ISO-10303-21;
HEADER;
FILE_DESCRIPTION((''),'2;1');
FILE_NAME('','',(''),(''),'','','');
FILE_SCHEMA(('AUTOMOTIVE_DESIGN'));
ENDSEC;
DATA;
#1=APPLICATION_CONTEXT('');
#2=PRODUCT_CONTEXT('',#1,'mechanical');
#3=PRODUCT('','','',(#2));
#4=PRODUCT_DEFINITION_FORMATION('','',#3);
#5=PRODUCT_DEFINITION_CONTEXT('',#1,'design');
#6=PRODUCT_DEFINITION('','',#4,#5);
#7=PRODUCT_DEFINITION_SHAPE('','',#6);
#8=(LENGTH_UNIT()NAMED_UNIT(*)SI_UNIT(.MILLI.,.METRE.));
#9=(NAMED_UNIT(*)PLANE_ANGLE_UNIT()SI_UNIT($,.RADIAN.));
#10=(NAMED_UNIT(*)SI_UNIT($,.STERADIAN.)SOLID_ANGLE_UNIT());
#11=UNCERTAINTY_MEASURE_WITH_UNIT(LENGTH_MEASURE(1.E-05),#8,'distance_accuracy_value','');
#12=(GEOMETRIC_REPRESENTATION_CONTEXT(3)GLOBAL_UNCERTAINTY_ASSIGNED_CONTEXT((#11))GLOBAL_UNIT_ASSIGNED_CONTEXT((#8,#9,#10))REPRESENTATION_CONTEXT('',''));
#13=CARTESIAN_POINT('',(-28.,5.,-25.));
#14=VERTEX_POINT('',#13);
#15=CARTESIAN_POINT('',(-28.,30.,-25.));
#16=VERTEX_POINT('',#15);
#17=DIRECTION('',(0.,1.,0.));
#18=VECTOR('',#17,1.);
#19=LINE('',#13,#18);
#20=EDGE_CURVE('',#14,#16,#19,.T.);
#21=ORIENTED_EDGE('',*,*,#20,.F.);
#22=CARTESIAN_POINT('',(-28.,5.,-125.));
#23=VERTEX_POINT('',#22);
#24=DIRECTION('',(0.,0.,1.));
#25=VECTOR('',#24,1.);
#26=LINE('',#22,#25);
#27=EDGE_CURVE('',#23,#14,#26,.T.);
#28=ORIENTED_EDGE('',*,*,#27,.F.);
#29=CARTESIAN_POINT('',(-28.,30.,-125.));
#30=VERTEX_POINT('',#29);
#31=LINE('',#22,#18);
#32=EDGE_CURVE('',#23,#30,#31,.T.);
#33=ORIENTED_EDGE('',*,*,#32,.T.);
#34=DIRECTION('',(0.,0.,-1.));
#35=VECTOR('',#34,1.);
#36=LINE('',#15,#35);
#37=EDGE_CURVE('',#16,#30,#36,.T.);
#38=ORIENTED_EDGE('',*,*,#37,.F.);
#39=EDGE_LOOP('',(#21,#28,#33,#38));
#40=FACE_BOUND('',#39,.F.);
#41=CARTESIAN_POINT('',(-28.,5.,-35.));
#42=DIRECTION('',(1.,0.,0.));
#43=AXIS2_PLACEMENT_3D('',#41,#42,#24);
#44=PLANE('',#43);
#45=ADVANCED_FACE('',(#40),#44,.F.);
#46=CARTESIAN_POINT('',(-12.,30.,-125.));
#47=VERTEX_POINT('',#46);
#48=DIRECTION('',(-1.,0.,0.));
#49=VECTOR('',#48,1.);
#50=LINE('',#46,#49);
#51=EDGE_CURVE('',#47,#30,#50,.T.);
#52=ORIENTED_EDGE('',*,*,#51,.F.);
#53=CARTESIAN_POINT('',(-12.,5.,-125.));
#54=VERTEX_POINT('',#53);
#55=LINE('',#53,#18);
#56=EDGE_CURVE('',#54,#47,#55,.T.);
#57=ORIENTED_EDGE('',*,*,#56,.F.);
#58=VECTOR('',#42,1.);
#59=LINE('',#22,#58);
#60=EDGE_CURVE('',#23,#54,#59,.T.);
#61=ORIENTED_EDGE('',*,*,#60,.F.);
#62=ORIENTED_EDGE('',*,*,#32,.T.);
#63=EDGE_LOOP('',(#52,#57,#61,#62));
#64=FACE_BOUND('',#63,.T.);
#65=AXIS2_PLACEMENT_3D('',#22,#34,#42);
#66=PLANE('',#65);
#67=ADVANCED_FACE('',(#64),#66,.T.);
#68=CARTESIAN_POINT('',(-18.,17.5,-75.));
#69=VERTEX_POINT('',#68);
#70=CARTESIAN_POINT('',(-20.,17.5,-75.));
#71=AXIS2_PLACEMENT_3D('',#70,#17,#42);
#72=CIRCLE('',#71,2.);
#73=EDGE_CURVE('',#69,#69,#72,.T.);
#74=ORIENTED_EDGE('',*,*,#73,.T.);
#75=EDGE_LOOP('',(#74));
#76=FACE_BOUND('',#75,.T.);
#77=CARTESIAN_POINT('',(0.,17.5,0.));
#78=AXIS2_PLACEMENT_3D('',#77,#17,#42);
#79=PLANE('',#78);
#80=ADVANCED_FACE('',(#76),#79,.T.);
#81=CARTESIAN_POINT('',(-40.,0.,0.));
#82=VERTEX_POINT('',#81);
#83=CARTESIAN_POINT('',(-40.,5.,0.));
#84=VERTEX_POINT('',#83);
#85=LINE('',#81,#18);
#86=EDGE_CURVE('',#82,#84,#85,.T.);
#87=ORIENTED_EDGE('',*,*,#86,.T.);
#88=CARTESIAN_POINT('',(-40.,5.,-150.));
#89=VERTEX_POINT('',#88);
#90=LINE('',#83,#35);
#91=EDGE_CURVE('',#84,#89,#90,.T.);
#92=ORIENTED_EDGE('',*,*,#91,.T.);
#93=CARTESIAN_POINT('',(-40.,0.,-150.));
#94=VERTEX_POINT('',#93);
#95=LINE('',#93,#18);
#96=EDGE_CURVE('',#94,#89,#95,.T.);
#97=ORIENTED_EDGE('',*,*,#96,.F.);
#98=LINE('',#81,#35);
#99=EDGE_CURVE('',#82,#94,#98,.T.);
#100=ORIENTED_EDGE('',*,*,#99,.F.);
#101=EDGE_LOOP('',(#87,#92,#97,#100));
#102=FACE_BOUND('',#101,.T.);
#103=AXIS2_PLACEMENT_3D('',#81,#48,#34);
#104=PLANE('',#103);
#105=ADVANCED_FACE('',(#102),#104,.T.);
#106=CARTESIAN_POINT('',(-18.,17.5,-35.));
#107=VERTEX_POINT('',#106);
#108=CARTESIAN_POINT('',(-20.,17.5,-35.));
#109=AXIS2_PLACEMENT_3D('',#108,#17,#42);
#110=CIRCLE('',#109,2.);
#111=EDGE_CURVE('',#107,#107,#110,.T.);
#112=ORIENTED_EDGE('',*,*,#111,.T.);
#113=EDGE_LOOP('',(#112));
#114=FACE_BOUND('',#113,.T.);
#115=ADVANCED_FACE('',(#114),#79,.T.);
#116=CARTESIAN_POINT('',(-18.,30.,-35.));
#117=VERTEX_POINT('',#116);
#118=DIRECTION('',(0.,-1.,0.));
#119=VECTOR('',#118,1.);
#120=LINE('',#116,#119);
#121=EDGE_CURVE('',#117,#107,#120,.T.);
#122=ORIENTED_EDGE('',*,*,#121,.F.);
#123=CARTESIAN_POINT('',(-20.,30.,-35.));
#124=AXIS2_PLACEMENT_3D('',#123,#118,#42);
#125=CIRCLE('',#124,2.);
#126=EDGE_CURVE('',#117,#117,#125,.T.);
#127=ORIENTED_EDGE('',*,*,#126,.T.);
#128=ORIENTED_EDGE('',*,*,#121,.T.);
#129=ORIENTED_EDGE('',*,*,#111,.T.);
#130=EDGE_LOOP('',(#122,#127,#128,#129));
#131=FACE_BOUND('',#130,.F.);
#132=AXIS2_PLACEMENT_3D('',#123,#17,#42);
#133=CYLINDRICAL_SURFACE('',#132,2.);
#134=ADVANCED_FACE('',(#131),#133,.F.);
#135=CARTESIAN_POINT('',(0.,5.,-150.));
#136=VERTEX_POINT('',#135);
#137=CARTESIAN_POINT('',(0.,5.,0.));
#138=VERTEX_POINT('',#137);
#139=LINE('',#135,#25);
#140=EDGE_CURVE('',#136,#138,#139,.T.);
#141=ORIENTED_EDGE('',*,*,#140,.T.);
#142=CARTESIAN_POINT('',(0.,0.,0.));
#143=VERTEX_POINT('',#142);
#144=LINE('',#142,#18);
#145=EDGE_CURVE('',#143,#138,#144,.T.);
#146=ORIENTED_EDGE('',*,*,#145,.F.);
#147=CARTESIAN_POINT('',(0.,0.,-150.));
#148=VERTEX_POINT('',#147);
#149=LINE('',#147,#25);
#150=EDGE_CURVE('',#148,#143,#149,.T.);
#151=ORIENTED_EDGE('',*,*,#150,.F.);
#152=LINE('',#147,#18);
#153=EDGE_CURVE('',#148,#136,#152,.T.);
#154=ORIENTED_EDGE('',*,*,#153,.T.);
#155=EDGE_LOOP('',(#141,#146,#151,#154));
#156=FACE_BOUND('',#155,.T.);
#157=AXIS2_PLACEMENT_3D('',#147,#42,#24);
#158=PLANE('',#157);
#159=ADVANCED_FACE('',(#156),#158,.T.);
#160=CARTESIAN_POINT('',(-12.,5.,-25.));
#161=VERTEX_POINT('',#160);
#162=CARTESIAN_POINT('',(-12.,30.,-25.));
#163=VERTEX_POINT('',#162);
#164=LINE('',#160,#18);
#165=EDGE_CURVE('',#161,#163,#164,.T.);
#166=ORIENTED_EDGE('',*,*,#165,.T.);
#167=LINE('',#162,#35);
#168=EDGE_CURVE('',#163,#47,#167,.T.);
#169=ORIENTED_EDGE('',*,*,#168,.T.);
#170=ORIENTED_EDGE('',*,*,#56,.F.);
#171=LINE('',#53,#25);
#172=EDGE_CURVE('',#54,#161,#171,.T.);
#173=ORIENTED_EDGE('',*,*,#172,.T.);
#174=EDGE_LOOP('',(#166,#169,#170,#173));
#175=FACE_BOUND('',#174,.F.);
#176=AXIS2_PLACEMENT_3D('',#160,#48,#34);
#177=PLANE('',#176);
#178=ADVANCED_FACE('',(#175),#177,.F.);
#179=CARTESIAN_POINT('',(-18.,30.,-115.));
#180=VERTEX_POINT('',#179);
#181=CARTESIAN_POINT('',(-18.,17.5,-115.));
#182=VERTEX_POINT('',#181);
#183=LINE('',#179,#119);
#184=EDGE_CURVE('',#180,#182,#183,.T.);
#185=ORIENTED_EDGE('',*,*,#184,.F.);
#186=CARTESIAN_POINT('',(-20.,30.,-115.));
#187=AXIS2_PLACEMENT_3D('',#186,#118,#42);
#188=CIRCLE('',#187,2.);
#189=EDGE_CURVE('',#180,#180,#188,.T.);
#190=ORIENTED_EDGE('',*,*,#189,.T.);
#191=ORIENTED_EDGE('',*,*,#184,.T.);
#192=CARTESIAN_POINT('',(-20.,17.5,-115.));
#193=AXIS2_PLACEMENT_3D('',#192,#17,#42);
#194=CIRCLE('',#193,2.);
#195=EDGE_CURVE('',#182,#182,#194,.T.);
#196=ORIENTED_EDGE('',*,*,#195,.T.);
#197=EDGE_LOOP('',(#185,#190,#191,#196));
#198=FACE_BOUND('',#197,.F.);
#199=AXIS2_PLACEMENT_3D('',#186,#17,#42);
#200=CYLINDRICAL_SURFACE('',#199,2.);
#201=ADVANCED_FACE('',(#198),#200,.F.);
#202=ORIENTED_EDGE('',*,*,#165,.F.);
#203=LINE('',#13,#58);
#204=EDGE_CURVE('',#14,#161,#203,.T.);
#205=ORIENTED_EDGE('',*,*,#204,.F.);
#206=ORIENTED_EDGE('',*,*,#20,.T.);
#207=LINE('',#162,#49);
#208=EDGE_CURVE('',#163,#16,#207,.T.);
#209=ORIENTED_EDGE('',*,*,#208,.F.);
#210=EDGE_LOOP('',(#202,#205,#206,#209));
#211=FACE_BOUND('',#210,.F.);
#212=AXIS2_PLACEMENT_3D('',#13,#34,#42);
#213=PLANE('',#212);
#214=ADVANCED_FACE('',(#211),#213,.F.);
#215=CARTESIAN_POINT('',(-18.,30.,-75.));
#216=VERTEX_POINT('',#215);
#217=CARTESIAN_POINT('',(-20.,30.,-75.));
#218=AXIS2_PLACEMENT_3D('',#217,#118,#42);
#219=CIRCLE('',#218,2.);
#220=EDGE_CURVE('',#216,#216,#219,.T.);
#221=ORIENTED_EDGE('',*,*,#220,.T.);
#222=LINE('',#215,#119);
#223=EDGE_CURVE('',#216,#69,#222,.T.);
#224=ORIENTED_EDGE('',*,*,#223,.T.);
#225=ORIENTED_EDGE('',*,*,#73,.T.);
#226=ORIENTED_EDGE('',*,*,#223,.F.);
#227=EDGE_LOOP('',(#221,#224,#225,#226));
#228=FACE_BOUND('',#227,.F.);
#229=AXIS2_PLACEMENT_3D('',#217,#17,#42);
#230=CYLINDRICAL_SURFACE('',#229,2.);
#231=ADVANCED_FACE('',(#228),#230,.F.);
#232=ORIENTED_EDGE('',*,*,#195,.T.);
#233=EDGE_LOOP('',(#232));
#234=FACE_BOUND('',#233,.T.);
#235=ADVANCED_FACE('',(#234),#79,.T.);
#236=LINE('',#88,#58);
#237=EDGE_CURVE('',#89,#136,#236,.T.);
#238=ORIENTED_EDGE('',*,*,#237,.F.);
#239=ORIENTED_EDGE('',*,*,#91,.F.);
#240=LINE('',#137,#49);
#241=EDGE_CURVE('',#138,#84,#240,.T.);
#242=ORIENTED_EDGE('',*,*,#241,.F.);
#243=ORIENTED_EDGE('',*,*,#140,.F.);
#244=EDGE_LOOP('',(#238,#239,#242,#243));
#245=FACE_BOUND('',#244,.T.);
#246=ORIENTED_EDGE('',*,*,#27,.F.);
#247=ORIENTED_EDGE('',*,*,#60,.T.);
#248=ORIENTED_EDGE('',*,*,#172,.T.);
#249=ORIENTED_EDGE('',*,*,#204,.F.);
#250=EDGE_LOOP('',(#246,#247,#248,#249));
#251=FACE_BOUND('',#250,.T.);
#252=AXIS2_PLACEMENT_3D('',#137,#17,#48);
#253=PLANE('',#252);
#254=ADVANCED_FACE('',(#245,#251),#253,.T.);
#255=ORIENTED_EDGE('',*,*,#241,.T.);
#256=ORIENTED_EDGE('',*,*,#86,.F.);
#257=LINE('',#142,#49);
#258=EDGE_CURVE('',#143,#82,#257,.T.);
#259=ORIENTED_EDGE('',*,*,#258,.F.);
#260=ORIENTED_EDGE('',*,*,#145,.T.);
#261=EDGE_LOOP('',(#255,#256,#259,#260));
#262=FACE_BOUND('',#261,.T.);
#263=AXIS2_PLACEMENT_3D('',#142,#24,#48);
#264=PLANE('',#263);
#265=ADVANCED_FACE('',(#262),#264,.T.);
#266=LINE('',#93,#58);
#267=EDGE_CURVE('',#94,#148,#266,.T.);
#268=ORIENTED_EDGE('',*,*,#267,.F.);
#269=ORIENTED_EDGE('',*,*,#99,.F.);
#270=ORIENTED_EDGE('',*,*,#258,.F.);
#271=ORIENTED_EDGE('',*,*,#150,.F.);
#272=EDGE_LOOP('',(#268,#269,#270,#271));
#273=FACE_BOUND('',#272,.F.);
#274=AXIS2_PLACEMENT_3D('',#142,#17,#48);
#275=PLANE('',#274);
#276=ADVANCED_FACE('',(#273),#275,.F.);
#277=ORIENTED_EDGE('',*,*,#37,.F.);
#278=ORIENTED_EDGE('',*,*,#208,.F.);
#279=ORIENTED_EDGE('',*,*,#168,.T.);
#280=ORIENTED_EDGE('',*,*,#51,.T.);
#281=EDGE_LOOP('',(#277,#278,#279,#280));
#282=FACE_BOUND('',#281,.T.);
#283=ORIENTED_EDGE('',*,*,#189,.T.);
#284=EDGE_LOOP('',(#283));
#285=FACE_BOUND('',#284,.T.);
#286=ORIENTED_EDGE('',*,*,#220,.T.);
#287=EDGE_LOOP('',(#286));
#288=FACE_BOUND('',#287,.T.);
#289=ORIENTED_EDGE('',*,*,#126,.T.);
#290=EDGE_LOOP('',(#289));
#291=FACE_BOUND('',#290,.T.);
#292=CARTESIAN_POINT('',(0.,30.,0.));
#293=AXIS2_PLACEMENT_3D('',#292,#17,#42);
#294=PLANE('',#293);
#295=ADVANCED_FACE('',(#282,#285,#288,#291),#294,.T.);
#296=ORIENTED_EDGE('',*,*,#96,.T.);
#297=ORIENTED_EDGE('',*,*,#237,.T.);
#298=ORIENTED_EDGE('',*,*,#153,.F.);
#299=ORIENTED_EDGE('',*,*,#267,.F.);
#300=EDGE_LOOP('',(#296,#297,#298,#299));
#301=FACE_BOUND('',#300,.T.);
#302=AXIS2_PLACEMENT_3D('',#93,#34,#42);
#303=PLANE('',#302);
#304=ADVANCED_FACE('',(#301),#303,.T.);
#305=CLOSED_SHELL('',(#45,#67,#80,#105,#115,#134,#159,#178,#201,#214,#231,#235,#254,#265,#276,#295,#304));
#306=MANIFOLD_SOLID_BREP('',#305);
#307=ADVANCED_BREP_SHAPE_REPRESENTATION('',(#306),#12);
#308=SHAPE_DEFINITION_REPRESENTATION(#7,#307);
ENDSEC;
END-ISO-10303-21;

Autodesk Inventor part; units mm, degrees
ref_plane "YZ Plane" through (0, 0, 0) normal (1, 0, 0) x (0, 1, 0)
ref_plane "XZ Plane" through (0, 0, 0) normal (0, 1, 0) x (-1, 0, 0)
ref_plane "XY Plane" through (0, 0, 0) normal (0, 0, 1) x (1, 0, 0)
sketch "Sketch1" plane through (0, 0, 0) normal (0, 1, 0) x (-1, 0, 0)
  line L0 (0, 0) -> (40, 0)
  line L1 (40, 0) -> (40, -150)
  line L2 (40, -150) -> (0, -150)
  line L3 (0, -150) -> (0, 0)
  dimension "d0" = 40
  dimension "d1" = 150
extrude "Extrusion1" add sketch "Sketch1" along normal blind 5
sketch "Sketch2" plane through (0, 5, 0) normal (0, 1, 0) x (1, 0, 0)
  line L0 (-40, 0) -> (0, 0) projected
  line L1 (0, 150) -> (-40, 150) projected
  line L2 (-40, 0) -> (-20, 0)
  line L3 (-20, 0) -> (-20, 150)
  line L4 (-20, 150) -> (-40, 150)
  line L5 (-40, 150) -> (-40, 0)
  line L6 (-20, 0) -> (-20, 75)
  line L7 (-20, 75) -> (-20, 35)
  line L8 (-20, 35) -> (-28, 35)
  line L9 (-28, 35) -> (-28, 25)
  line L10 (-28, 25) -> (-20, 25)
  line L11 (-20, 25) -> (-20, 35)
  line L12 (-20, 25) -> (-12, 25)
  line L13 (-12, 25) -> (-12, 35)
  line L14 (-12, 35) -> (-20, 35)
  line L15 (-20, 35) -> (-20, 25)
  line L16 (-20, 75) -> (-20, 115)
  line L17 (-20, 115) -> (-28, 115)
  line L18 (-28, 115) -> (-28, 125)
  line L19 (-28, 125) -> (-20, 125)
  line L20 (-20, 125) -> (-20, 115)
  line L21 (-20, 115) -> (-12, 115)
  line L22 (-12, 115) -> (-12, 125)
  line L23 (-12, 125) -> (-20, 125)
  line L24 (-20, 125) -> (-20, 115)
  line L25 (-28, 125) -> (-12, 125)
  line L26 (-12, 125) -> (-12, 25)
  line L27 (-12, 25) -> (-28, 25)
  line L28 (-28, 25) -> (-28, 125)
  dimension "d4" = 75
  dimension "d5" = 40
  dimension "d6" = 8
  dimension "d7" = 10
  dimension "d8" = 8
  dimension "d9" = 40
  dimension "d10" = 10
extrude "Extrusion2" add sketch "Sketch2" along normal blind 25 contours L10 L9 L8 L3 | L3 L14 L13 L12 | L8 L28 L17 L3 | L3 L21 L26 L14 | L23 L22 L21 L3 | L3 L17 L18 L19
sketch "Sketch3" plane through (0, 30, 0) normal (0, 1, 0) x (1, 0, 0)
  line L0 (-12, 25) -> (-28, 25) projected
  line L1 (-20, 25) -> (-20, 125)
  line L2 (-12, 125) -> (-28, 125) projected
  line L3 (-20, 25) -> (-20, 75)
  line L4 (-20, 75) -> (-20, 35)
  line L5 (-20, 35) -> (-20, 115)
  circle A0 centre (-20, 35) radius 2
  circle A1 centre (-20, 75) radius 2
  circle A2 centre (-20, 115) radius 2
  point P0 (0, 0)
  dimension "d13" = 40
  dimension "d14" = 80
  dimension "d15" = 4
  dimension "d16" = 4
  dimension "d17" = 4
extrude "Extrusion3" cut sketch "Sketch3" against normal blind 12.5
properties part number "Pin holder"
